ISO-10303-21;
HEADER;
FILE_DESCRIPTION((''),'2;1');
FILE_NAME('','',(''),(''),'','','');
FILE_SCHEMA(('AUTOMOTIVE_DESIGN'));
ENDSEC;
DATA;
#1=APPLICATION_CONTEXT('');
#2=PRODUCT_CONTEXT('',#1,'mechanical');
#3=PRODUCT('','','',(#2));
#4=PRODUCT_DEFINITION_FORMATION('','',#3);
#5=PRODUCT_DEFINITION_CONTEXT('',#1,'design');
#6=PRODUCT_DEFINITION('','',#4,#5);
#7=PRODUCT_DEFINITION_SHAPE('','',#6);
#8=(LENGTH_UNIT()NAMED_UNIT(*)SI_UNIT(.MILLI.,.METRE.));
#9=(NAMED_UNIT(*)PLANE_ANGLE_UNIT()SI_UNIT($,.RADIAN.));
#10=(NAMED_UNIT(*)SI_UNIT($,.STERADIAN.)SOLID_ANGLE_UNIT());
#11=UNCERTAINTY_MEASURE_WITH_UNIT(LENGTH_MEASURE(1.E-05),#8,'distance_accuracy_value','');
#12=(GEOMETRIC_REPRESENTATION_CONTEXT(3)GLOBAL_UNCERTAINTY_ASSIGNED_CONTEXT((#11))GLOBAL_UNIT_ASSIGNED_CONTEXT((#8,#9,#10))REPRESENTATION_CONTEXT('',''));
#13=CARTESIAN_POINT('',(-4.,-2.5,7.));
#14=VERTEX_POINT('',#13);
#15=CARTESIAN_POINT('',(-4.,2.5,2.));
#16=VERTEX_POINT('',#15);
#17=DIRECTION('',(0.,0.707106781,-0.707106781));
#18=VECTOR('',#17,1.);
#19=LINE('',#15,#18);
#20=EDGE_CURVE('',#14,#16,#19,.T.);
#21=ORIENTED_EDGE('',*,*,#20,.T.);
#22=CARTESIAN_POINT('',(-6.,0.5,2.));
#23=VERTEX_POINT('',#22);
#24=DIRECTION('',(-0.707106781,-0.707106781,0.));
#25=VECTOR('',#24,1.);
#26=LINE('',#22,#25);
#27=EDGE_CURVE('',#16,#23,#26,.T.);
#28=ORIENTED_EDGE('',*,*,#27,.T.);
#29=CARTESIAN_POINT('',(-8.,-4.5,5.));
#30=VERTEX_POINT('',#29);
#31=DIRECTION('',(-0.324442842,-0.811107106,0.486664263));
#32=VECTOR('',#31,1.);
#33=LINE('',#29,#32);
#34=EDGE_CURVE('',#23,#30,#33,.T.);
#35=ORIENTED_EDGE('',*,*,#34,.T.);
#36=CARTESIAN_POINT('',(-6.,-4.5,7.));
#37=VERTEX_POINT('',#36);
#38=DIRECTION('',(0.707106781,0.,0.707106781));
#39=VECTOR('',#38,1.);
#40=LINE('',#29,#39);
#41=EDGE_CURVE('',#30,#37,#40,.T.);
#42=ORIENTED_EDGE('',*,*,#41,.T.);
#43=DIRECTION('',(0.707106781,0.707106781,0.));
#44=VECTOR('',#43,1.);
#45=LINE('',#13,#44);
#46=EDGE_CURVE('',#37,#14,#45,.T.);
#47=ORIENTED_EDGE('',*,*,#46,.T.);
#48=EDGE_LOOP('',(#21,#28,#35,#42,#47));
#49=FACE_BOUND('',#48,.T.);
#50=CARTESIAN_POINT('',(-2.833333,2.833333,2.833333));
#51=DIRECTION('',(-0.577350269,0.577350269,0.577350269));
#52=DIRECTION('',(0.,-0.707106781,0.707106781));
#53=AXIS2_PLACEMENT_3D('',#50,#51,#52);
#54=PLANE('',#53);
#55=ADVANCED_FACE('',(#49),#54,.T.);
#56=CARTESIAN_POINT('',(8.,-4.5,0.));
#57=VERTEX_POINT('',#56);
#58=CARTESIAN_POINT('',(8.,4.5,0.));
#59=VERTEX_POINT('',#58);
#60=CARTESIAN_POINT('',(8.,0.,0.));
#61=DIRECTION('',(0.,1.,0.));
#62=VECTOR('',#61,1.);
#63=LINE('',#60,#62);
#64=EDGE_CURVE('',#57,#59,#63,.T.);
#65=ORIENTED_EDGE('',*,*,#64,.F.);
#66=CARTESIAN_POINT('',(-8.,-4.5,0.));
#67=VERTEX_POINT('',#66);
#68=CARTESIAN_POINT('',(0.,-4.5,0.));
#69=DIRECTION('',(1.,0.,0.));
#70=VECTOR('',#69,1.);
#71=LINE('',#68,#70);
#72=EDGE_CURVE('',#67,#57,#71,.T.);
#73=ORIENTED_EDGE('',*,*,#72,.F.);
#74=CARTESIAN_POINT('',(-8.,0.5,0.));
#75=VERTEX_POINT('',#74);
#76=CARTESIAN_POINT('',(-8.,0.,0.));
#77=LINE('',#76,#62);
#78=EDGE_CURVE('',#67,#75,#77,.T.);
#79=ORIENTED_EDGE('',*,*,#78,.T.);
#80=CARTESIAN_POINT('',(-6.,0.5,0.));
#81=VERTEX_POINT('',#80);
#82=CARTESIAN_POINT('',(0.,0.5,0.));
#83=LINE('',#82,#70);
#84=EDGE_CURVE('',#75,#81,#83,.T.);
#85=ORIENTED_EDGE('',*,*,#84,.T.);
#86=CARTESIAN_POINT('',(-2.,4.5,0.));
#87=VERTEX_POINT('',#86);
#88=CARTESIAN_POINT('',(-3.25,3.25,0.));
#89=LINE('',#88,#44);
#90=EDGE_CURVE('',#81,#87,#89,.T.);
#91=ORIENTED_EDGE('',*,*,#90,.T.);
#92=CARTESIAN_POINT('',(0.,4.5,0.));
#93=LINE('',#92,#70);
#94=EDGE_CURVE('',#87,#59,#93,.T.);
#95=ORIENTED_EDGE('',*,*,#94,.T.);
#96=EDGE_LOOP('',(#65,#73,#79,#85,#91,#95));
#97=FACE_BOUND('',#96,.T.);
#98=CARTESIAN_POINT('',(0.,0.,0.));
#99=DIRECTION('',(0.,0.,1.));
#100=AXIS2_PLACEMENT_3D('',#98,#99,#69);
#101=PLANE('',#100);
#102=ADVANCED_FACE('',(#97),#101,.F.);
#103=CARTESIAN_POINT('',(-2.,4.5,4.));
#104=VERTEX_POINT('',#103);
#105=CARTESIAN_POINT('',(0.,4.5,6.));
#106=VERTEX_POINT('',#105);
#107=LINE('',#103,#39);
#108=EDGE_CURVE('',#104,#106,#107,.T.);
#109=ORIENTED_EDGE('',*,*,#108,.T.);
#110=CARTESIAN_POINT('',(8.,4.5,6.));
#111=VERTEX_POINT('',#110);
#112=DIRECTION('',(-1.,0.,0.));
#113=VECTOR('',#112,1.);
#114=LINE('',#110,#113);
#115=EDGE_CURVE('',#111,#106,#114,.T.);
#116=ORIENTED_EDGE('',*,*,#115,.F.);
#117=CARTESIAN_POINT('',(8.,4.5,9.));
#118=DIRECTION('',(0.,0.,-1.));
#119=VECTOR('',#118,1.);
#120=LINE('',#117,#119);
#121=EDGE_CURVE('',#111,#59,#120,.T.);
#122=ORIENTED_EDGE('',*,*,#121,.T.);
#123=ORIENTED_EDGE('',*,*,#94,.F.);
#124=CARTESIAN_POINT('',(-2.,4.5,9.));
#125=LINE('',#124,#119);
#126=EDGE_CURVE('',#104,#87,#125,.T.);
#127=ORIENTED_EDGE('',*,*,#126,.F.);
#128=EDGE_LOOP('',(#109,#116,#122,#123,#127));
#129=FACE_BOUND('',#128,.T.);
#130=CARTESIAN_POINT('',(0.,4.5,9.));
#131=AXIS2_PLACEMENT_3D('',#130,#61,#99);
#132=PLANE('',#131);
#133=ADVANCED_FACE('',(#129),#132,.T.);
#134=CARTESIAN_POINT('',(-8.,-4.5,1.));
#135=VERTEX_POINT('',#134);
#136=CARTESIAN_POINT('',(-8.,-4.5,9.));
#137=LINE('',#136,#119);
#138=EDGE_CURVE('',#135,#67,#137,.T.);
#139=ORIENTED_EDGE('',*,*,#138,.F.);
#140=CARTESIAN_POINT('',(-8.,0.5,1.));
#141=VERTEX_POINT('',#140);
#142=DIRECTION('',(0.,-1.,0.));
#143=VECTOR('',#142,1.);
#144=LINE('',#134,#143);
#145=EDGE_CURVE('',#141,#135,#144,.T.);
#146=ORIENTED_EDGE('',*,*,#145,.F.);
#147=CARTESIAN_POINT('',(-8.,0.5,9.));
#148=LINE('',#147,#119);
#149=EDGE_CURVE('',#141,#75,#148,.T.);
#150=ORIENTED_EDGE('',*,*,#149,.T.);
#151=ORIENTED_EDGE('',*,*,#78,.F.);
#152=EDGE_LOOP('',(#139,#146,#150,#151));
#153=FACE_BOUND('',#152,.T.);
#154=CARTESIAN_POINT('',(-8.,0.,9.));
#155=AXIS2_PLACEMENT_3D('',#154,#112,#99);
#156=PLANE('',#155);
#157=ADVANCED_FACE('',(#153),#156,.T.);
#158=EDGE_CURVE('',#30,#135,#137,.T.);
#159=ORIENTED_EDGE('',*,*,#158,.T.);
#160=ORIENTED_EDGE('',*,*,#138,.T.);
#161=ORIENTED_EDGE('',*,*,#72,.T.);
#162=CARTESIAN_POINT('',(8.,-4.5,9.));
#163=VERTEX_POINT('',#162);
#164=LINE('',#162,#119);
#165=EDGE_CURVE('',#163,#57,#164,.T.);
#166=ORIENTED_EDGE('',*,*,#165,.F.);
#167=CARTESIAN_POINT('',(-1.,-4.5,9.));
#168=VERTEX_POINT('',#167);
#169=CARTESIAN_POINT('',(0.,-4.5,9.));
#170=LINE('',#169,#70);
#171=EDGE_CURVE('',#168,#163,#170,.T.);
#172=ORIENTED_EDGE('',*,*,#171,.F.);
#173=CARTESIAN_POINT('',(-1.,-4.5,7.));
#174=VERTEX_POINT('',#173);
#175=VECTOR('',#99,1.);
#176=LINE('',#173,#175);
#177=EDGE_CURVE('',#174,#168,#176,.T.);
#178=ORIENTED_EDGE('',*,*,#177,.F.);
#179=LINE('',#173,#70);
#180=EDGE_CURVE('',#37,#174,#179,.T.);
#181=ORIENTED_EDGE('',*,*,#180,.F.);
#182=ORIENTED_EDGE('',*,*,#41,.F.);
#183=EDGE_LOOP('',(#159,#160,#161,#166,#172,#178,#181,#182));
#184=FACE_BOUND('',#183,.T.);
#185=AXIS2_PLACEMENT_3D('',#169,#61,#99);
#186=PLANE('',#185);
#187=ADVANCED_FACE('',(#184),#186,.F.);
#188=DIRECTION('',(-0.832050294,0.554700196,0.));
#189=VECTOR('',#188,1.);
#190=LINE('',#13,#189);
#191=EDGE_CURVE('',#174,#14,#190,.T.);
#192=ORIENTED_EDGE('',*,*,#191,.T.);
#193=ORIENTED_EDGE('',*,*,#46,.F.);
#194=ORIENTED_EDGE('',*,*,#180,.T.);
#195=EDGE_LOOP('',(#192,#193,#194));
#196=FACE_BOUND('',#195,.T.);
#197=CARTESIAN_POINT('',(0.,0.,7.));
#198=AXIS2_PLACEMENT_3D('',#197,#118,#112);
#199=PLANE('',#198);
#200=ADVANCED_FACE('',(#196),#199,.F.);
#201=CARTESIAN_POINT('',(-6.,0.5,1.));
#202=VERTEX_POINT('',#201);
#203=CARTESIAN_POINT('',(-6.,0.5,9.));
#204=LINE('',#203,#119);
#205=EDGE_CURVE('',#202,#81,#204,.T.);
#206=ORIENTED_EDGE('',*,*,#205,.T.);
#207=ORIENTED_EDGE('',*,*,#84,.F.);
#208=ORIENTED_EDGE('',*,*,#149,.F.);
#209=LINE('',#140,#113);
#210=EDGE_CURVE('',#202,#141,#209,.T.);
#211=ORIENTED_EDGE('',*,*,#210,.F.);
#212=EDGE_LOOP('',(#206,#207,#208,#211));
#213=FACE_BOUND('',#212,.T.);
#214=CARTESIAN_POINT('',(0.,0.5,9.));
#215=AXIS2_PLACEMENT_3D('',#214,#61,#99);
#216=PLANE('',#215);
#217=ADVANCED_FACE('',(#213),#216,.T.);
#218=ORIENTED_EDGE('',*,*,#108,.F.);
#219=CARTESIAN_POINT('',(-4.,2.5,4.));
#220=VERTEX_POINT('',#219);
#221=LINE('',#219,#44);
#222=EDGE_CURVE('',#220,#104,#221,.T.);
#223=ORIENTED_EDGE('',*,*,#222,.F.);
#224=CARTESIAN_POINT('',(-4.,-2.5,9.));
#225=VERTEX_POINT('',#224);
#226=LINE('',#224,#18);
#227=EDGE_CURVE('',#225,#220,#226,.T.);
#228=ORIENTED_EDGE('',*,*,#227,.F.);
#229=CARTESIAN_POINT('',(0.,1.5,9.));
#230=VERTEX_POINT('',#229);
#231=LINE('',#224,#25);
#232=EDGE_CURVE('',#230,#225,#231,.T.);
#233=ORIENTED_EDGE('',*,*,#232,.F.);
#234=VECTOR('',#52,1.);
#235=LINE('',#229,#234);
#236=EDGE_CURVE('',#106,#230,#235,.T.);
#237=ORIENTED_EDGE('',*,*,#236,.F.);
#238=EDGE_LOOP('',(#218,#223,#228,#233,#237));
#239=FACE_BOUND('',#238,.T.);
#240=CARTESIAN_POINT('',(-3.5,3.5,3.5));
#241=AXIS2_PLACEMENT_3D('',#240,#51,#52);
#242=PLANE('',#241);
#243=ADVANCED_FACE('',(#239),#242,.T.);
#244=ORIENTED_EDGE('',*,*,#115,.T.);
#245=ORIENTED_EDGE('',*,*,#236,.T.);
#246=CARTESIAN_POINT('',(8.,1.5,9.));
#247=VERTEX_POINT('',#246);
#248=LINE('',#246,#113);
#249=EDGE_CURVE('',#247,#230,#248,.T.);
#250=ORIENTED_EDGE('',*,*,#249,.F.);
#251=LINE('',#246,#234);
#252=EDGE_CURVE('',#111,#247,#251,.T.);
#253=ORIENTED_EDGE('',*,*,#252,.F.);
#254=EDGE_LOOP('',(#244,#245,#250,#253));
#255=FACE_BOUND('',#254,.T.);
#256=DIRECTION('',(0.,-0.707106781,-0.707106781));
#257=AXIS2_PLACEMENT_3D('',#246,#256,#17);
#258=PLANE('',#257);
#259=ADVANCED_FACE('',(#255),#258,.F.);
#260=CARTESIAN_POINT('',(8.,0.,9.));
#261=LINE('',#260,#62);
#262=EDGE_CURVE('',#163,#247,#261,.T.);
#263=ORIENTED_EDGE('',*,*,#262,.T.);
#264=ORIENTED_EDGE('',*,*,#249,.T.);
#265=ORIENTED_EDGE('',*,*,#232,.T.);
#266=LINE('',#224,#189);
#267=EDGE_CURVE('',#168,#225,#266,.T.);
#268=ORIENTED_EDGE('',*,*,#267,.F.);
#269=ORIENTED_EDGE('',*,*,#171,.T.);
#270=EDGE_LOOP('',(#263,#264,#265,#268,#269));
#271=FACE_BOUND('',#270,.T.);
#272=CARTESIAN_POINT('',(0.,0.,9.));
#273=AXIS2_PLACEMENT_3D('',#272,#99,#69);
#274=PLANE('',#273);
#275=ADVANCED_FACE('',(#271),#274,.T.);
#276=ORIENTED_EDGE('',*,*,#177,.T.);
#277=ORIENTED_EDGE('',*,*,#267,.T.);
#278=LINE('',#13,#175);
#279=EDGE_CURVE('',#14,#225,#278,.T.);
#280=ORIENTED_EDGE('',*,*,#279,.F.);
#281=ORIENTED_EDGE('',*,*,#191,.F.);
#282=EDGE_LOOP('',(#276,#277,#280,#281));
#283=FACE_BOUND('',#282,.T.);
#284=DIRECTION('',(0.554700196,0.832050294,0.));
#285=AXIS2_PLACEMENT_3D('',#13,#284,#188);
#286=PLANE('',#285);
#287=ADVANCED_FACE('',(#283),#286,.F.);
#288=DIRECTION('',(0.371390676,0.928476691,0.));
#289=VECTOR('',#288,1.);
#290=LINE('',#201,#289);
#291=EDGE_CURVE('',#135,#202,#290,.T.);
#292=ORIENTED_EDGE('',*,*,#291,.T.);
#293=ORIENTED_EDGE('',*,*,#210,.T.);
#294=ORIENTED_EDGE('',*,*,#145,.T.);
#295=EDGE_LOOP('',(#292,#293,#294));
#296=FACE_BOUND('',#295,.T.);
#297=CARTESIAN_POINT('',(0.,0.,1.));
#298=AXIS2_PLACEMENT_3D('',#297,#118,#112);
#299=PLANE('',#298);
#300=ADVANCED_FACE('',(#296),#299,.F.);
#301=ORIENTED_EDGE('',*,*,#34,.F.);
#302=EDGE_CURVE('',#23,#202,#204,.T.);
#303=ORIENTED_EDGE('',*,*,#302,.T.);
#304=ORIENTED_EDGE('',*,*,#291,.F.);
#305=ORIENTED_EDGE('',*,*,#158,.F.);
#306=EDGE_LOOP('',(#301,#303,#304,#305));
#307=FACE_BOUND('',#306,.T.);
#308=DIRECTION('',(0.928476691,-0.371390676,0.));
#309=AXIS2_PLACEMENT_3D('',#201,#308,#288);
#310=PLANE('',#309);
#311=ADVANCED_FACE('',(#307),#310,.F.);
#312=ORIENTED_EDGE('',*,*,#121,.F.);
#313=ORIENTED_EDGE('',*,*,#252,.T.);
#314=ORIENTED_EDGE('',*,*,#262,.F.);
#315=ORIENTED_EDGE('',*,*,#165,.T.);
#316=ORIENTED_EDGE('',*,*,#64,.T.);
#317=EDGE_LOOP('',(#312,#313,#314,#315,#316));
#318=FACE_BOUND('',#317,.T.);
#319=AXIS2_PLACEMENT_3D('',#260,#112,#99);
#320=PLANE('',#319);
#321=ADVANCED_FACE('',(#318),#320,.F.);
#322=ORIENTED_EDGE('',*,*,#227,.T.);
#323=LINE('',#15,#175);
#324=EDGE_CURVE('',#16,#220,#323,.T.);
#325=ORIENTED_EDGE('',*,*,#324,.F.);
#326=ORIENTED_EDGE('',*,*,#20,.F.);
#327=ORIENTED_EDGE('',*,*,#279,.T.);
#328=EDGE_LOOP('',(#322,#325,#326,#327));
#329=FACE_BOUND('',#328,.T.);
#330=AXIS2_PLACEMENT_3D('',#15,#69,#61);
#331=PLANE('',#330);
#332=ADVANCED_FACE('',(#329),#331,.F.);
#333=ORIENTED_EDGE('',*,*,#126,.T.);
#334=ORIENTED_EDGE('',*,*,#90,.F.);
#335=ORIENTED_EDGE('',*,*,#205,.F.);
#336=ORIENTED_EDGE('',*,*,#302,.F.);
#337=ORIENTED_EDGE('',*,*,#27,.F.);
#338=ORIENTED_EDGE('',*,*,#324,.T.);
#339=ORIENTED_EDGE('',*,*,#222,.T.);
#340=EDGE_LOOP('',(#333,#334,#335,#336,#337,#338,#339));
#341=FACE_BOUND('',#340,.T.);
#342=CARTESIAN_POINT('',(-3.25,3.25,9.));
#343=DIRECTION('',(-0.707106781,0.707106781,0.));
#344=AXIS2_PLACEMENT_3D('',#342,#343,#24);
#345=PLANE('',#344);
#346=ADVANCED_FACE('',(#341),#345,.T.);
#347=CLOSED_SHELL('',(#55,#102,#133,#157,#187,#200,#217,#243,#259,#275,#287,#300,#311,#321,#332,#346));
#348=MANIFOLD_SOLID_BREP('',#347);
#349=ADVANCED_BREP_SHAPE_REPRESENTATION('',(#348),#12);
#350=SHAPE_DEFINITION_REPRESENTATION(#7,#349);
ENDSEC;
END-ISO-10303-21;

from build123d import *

# Parameters (mm, degrees)
BOSS_EXTRUDE1_DEPTH = 9
CUT_EXTRUDE1_DEPTH  = 8
CUT_EXTRUDE2_DEPTH  = 8
CUT_EXTRUDE3_DEPTH  = 8
CUT_EXTRUDE4_DEPTH  = 8
CUT_EXTRUDE5_DEPTH  = 2


with BuildPart() as part:
    # Sketch1 → Boss-Extrude1 (new body)
    with BuildSketch(Plane.XY):
        Polygon((-6, 0.5), (-8, 0.5), (-8, -4.5), (8, -4.5), (8, 4.5), (-2, 4.5), align=None)
    extrude(amount=BOSS_EXTRUDE1_DEPTH)

    # Sketch2 → Cut-Extrude1 (cut)
    with BuildSketch(Plane.XY.offset(9)):
        Polygon((-8, 0.5), (-6, 0.5), (-8, -4.5), align=None)
    extrude(amount=-CUT_EXTRUDE1_DEPTH, mode=Mode.SUBTRACT)

    # 3DSketch1 → Cut-Extrude2 (cut, along a direction that is not the sketch's normal)
    with BuildSketch(Plane(origin=(-8, -4.5, 5), x_dir=(0.464990554975277, 0.8137334712067351, -0.3487429162314579), z_dir=(0.5773502691896258, -0.5773502691896257, -0.5773502691896258))):
        Polygon((0, 0), (6.044877215, -1.208080899), (8.602325267, 0), (2.78994333, 4.026936331), (0.232495277, 2.818855432), align=None)
    extrude(amount=-CUT_EXTRUDE2_DEPTH, dir=(0, 0, -1), mode=Mode.SUBTRACT)

    # 3DSketch2 → Cut-Extrude3 (cut, along a direction that is not the sketch's normal)
    with BuildSketch(Plane(origin=(-4, -2.5, 9), x_dir=(0.2264554068289193, 0.7925939239012171, -0.5661385170722979), z_dir=(0.5773502691896256, -0.5773502691896258, -0.5773502691896258))):
        Polygon((0, 0), (6.793662205, -1.961161351), (8.831760866, 0), (8.152394646, 2.745625892), (4.076197323, 3.922322703), align=None)
    extrude(amount=-CUT_EXTRUDE3_DEPTH, dir=(0, 0, -1), mode=Mode.SUBTRACT)

    # Sketch3 → Cut-Extrude4 (cut)
    with BuildSketch(Plane.ZY):
        Polygon((9, 1.5), (6, 4.5), (9, 4.5), align=None)
    extrude(amount=-CUT_EXTRUDE4_DEPTH, mode=Mode.SUBTRACT)

    # Sketch4 → Cut-Extrude5 (cut)
    with BuildSketch(Plane.XY.offset(9)):
        Polygon((-4, -2.5), (-1, -4.5), (-6, -4.5), align=None)
    extrude(amount=-CUT_EXTRUDE5_DEPTH, mode=Mode.SUBTRACT)


solid = part.part
